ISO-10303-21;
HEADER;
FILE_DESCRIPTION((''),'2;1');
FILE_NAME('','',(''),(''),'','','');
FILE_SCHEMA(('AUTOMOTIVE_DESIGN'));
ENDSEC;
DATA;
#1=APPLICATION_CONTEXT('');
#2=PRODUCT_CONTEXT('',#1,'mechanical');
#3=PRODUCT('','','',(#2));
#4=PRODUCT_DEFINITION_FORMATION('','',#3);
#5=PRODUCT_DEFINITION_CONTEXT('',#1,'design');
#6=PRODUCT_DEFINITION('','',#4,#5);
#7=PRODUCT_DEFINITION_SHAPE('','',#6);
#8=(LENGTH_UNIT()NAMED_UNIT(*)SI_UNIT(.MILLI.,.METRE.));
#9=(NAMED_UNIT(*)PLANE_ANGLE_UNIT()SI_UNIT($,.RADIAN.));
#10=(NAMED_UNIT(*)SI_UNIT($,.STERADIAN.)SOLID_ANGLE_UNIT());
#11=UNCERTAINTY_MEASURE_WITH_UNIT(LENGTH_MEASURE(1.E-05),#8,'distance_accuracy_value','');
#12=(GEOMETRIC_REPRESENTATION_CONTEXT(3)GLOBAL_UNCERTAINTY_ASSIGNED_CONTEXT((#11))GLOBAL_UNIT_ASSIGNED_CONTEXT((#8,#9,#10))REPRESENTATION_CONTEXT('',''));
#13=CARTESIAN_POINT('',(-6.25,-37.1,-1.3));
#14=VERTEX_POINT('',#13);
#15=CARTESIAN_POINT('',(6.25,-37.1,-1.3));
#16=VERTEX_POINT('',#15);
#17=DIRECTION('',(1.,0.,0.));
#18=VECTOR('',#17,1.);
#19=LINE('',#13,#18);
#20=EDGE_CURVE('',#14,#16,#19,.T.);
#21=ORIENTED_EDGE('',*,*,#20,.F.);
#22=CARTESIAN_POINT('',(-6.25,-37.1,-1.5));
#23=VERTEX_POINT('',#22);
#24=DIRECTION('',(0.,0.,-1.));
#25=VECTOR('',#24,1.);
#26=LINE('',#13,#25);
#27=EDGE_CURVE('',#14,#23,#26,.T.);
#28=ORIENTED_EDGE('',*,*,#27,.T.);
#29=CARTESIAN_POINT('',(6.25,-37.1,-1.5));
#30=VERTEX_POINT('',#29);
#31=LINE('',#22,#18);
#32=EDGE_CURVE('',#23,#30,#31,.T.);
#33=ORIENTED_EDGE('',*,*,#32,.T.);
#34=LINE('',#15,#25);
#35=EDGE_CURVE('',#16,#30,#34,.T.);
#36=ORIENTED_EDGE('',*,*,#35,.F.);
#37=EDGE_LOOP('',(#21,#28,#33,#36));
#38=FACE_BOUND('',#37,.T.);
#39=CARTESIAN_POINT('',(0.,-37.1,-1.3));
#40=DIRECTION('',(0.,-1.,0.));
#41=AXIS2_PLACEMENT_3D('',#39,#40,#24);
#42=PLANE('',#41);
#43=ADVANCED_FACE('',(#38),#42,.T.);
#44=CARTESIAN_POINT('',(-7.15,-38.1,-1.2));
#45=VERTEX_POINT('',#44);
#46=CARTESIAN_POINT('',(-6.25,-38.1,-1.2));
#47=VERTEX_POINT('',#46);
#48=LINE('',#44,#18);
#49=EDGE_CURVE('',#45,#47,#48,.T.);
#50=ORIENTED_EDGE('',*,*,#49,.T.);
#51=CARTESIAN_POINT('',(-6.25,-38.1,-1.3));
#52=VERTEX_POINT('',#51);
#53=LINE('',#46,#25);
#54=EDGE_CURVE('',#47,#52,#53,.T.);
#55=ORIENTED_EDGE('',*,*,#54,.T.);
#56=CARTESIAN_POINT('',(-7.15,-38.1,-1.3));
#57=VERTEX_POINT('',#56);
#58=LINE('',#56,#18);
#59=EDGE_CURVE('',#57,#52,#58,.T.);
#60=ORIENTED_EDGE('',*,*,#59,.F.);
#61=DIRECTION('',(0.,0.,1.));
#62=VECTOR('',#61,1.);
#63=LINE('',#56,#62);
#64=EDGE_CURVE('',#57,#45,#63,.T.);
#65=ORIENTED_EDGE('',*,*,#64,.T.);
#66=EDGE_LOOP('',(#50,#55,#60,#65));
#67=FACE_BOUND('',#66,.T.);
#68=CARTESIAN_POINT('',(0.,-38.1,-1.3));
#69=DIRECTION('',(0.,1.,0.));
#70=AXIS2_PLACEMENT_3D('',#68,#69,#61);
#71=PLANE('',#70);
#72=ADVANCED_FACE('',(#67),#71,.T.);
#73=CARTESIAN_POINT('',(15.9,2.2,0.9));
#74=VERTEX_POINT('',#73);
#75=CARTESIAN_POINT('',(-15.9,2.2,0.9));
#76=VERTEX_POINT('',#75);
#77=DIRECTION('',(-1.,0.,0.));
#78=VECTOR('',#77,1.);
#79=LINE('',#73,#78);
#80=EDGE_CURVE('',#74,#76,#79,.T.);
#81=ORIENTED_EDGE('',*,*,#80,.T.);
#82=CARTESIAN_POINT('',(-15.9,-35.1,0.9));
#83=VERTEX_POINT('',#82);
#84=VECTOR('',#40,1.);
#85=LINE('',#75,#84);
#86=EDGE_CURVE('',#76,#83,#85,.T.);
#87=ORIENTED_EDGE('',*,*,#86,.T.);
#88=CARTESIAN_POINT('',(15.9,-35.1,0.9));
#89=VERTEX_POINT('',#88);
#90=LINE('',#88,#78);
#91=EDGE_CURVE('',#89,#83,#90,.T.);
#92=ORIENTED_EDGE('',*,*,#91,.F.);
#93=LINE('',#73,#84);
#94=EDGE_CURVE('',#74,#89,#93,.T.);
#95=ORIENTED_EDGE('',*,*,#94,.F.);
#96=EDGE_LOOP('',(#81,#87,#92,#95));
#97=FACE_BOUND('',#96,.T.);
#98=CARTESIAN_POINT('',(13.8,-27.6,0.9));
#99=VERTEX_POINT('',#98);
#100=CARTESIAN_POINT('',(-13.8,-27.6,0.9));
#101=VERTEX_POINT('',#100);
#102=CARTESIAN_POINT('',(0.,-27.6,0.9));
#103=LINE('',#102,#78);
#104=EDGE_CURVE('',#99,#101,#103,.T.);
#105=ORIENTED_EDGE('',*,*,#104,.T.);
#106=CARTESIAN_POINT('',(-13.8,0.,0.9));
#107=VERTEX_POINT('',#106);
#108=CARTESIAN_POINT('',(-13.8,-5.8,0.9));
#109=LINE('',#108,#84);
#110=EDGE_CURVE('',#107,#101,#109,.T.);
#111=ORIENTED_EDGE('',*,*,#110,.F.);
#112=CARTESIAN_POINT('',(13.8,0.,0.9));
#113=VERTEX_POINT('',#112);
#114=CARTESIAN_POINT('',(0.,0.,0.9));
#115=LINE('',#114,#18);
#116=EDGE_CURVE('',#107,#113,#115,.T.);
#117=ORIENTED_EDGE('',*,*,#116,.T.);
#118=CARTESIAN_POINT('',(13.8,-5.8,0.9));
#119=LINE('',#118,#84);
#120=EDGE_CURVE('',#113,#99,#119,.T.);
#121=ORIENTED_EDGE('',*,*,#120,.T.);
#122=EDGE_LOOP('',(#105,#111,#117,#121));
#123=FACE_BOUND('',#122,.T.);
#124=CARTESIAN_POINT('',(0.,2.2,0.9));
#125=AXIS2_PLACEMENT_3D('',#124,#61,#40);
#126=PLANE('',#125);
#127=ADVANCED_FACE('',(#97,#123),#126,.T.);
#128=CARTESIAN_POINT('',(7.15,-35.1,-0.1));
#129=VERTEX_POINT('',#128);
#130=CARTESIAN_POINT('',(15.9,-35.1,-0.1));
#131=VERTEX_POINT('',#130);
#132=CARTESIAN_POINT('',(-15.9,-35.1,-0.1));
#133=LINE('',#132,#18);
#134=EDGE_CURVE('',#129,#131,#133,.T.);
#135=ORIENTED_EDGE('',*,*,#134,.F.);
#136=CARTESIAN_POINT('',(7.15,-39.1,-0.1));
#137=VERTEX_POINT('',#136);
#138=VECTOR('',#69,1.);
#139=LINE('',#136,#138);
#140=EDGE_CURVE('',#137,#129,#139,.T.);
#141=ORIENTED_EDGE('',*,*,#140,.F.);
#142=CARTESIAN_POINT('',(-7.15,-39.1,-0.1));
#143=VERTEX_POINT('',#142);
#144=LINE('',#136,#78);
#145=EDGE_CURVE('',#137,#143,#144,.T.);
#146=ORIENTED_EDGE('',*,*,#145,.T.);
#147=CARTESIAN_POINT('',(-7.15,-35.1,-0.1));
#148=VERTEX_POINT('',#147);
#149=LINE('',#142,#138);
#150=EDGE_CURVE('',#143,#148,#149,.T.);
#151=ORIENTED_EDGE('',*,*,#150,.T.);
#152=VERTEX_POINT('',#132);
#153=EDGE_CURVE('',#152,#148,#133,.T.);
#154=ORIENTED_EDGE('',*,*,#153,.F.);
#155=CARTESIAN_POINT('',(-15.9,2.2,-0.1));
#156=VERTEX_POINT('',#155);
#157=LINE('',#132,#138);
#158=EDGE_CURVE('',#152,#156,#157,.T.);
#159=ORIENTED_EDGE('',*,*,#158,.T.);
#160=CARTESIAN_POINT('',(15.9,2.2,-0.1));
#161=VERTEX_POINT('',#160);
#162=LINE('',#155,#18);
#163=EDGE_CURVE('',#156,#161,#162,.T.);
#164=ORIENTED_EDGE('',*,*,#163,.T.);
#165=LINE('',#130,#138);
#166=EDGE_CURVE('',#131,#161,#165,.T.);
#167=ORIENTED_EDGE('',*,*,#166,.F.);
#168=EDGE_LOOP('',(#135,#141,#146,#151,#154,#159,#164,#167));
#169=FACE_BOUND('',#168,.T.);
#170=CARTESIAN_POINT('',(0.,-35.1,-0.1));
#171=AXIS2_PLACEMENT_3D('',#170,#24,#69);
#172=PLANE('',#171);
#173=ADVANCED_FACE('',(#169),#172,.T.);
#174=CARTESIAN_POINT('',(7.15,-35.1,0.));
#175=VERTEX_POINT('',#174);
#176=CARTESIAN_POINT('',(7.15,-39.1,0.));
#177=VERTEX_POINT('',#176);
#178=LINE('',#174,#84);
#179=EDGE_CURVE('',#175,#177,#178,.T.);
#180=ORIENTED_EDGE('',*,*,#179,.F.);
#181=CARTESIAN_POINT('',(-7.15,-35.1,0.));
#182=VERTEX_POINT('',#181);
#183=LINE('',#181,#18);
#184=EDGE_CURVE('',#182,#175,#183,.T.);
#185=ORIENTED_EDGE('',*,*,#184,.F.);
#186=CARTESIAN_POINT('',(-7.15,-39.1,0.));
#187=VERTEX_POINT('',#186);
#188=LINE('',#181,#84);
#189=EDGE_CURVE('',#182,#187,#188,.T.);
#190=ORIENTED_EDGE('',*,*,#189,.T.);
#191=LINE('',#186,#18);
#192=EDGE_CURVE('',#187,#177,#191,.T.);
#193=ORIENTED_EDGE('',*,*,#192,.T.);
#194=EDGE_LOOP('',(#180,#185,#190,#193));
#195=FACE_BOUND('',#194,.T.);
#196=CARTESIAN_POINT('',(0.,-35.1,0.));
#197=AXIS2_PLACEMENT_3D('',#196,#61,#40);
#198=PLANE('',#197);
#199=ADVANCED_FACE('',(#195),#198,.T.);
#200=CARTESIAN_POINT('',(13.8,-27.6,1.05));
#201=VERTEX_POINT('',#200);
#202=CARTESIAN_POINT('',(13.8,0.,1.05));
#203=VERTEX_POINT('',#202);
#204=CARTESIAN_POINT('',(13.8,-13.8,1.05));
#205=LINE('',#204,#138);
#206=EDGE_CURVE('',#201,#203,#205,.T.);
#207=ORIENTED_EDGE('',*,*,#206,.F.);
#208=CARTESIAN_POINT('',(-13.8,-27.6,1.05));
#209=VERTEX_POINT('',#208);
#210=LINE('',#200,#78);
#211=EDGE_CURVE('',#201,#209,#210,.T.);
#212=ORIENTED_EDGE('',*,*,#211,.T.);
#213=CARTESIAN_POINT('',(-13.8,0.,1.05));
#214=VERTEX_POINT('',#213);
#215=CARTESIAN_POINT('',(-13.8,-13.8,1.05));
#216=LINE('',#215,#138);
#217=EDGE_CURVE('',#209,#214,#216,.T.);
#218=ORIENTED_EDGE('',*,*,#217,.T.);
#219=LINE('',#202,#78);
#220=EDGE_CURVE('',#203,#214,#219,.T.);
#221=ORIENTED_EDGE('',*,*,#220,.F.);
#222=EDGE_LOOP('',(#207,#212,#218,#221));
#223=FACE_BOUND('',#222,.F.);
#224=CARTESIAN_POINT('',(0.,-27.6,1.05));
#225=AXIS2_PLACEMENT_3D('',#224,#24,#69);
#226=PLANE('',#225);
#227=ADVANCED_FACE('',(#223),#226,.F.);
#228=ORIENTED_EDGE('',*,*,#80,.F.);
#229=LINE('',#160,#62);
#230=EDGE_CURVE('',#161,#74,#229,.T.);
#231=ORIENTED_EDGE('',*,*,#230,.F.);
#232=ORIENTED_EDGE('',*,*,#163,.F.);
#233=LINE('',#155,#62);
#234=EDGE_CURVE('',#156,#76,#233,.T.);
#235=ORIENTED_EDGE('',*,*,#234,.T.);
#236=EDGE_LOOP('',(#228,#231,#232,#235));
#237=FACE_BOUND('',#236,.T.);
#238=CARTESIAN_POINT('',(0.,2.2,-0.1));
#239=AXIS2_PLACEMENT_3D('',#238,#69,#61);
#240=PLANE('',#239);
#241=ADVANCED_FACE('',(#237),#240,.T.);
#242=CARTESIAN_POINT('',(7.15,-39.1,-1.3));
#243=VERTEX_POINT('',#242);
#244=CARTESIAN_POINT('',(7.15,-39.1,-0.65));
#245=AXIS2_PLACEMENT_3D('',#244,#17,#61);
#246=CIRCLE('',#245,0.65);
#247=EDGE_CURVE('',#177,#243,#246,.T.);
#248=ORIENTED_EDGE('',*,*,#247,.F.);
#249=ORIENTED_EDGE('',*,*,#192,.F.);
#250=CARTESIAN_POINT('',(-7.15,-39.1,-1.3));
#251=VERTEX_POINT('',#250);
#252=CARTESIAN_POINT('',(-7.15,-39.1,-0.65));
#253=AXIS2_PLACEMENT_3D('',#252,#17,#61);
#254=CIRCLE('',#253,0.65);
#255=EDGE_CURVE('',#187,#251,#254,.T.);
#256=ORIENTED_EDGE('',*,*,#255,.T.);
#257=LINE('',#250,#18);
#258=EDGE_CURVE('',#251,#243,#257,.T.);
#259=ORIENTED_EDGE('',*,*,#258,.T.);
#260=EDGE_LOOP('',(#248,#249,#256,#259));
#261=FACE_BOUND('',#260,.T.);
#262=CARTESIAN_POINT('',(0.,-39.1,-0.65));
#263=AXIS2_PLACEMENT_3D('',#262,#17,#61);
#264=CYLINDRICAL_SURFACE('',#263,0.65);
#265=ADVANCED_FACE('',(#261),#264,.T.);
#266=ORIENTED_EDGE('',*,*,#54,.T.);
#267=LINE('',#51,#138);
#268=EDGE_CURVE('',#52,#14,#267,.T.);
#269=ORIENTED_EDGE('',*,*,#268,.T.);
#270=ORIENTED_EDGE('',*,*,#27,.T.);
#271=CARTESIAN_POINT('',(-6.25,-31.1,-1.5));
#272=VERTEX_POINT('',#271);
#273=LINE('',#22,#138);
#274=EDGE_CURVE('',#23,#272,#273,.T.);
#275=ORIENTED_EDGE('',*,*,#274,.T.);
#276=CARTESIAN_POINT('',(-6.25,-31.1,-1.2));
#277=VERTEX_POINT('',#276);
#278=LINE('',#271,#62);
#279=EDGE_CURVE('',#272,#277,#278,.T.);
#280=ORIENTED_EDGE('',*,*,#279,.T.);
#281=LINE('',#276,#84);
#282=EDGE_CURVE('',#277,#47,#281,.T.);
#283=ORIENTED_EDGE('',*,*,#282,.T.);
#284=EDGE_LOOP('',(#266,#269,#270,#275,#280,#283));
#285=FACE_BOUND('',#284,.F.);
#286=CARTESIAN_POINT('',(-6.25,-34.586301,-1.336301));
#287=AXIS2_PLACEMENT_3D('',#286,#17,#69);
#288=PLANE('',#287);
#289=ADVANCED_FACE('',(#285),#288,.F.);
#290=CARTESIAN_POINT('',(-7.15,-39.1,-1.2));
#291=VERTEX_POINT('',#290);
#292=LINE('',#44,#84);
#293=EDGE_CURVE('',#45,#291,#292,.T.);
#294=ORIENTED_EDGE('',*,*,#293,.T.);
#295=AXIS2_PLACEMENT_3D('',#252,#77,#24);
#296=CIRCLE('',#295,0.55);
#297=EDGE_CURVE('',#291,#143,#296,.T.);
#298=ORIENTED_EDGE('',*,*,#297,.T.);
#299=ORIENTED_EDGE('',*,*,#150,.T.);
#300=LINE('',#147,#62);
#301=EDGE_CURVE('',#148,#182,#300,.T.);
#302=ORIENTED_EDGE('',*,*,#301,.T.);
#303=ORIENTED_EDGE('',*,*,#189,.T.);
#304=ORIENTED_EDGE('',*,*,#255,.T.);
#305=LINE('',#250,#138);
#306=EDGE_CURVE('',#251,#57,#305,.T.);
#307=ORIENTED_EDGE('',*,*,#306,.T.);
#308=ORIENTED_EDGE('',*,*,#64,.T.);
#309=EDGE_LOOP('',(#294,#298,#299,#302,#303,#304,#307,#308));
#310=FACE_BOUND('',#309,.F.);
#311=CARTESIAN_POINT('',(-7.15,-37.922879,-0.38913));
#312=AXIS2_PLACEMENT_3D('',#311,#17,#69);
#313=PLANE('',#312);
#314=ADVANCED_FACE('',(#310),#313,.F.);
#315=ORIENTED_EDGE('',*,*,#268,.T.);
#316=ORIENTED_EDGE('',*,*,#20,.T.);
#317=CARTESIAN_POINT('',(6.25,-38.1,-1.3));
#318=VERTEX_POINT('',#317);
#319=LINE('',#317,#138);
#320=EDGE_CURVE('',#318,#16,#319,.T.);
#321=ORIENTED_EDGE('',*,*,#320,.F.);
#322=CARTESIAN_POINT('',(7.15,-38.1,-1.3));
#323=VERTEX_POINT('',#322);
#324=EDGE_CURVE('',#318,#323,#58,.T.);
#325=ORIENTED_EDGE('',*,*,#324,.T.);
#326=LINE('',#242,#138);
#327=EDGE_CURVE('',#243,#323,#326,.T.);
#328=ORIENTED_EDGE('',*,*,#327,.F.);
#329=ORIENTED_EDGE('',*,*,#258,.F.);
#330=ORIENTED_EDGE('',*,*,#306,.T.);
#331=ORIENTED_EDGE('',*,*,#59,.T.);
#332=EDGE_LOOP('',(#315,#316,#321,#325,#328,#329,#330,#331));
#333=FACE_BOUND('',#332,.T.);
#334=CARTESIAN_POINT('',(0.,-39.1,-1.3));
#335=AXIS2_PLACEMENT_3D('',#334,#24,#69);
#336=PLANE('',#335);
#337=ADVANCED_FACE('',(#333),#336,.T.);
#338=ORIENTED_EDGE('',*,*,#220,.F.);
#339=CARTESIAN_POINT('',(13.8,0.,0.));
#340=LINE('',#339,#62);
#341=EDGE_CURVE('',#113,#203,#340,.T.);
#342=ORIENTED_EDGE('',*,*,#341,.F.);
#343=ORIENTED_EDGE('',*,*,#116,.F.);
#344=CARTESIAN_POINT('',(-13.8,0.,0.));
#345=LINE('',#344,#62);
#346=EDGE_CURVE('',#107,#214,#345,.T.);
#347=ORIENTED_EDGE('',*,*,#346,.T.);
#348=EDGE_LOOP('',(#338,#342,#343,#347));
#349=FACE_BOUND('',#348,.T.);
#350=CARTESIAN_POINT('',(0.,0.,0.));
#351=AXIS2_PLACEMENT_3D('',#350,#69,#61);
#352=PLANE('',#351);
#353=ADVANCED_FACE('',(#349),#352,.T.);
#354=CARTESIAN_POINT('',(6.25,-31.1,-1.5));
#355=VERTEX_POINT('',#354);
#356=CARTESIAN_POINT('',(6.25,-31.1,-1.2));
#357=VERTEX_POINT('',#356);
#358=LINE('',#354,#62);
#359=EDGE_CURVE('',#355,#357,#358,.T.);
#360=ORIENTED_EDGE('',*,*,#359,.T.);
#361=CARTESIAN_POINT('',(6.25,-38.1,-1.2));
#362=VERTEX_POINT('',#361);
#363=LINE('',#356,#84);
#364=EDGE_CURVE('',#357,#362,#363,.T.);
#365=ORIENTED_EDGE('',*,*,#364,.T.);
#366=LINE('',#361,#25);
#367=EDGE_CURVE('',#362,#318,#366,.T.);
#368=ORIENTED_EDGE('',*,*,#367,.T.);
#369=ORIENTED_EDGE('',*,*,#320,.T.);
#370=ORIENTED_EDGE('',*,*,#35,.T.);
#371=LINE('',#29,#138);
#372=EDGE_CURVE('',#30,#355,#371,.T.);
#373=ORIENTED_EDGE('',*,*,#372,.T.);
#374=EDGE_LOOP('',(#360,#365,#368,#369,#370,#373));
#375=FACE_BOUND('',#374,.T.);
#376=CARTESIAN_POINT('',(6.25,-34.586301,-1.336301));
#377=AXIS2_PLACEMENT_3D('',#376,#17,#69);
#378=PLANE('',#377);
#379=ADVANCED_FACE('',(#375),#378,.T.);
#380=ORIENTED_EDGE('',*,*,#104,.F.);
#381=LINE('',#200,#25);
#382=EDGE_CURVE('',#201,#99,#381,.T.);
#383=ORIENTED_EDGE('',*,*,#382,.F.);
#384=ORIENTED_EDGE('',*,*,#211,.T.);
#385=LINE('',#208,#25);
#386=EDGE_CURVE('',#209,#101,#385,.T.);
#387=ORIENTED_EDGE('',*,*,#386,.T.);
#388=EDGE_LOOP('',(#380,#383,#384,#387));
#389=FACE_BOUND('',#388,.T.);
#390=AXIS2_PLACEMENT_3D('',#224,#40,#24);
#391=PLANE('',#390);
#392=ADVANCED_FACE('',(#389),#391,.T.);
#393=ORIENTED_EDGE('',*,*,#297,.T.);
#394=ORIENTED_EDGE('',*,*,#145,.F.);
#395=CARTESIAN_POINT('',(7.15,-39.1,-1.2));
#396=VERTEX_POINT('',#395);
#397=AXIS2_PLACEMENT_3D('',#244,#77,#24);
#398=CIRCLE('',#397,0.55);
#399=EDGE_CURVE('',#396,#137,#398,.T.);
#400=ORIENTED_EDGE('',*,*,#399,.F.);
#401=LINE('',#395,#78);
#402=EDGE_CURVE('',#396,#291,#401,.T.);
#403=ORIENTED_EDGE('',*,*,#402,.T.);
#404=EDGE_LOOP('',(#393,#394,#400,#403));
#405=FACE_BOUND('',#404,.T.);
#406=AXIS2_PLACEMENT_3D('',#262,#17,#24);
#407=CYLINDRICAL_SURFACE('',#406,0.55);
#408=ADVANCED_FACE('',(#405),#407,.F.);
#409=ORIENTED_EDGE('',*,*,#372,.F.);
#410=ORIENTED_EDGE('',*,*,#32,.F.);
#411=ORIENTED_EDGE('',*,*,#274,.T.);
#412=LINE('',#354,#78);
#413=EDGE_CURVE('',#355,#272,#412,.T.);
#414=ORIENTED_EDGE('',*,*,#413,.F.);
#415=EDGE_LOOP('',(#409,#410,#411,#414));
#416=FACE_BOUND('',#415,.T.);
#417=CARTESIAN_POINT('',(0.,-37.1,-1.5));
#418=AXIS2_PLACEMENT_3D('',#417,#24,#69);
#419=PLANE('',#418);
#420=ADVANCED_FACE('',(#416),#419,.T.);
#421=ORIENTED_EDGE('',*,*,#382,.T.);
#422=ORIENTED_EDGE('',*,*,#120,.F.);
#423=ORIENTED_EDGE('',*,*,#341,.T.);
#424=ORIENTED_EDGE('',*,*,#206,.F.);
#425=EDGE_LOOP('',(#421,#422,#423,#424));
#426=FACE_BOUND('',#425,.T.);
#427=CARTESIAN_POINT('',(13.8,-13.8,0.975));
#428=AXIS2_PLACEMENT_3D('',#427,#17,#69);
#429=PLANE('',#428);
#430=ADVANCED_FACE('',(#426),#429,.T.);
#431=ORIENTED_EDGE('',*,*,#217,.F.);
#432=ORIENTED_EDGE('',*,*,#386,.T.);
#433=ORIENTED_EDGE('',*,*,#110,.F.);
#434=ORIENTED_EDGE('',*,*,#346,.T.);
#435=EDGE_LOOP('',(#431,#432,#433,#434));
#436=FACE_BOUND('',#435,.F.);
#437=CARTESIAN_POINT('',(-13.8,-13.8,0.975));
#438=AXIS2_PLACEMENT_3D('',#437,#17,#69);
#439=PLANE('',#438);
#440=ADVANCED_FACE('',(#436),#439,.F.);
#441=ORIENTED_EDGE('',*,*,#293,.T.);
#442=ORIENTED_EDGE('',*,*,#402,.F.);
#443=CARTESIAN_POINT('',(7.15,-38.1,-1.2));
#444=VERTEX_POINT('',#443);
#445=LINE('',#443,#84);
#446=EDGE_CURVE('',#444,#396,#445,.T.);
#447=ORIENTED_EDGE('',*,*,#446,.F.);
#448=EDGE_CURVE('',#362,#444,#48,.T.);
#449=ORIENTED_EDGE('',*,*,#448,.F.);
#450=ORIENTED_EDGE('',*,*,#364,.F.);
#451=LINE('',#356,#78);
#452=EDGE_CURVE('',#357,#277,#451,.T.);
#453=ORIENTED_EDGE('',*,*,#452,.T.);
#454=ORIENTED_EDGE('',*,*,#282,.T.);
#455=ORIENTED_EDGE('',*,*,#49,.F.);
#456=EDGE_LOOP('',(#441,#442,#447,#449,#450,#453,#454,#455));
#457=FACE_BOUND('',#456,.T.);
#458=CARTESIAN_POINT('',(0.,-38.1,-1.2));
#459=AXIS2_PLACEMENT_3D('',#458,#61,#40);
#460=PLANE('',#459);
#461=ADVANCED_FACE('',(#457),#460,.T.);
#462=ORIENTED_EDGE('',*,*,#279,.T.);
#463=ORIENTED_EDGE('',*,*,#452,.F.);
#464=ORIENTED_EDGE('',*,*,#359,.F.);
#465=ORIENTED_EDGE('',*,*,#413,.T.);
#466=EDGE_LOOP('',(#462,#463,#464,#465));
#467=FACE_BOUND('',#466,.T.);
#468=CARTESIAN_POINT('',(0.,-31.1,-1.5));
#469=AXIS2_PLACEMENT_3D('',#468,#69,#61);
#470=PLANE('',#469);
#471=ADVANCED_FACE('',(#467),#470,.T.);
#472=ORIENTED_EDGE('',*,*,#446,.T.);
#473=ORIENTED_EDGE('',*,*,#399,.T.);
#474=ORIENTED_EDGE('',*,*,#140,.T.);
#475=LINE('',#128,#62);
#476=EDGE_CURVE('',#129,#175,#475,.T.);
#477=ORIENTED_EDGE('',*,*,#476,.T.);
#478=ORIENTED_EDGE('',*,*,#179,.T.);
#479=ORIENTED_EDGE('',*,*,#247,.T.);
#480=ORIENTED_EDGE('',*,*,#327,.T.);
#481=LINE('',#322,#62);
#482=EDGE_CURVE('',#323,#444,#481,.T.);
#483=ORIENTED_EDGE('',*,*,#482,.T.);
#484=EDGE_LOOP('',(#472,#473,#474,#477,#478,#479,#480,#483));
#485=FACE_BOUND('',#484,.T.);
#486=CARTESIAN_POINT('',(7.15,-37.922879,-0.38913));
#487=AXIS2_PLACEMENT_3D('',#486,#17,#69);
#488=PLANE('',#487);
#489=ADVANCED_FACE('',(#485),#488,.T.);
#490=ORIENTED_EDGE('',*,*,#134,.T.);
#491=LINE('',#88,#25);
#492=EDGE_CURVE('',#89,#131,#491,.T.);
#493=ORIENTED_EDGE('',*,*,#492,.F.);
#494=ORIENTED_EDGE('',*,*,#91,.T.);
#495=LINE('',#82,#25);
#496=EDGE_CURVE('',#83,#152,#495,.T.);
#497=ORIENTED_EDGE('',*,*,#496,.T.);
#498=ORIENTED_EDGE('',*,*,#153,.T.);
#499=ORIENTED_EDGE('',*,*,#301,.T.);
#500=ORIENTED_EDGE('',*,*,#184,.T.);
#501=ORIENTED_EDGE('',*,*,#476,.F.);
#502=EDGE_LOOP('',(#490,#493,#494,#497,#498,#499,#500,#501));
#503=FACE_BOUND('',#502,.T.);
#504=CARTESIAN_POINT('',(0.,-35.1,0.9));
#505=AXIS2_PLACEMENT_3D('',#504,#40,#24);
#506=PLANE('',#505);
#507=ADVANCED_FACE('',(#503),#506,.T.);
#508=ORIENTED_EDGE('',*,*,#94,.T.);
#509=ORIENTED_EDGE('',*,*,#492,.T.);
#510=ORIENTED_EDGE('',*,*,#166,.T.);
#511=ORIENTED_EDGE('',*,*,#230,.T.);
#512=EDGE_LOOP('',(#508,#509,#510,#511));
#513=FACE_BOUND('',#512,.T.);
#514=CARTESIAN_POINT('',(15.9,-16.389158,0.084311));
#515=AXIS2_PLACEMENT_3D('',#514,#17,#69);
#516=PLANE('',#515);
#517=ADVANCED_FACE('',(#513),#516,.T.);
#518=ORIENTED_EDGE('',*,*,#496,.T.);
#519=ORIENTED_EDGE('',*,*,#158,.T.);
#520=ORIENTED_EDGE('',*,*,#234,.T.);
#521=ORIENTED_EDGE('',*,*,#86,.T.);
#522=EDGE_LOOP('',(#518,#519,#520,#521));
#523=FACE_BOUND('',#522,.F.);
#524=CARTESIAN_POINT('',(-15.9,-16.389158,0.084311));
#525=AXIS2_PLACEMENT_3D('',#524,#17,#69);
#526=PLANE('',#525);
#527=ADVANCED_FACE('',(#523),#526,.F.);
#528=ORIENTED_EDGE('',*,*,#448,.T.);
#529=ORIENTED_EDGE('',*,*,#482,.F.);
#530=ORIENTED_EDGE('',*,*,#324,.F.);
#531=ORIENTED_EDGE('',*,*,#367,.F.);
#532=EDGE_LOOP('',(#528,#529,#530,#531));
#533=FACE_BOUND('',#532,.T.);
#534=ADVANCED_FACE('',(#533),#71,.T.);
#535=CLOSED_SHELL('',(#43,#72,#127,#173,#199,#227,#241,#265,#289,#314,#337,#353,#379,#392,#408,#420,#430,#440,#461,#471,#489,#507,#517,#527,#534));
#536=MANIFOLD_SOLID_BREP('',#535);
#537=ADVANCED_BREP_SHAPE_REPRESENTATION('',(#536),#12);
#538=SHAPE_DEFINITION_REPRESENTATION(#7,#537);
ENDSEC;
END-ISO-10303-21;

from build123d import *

# Parameters (mm, degrees)
F0_W     = 27.6
F0_H     = 0.15
F0_H_2   = 0.9
F1_DEPTH = 13.8
F2_DEPTH = 15.9
F3_DEPTH = 7.15
F4_DEPTH = 6.25


with BuildPart() as f1:
    # F0 (on Right) → F1 (new body, symmetric)
    with BuildSketch(Plane.YZ):
        with Locations((-13.8, 0.975)):
            Rectangle(F0_W, F0_H)
        with Locations((-13.8, 0.45)):
            Rectangle(F0_W, F0_H_2)
    extrude(amount=F1_DEPTH, both=True)

    # F0 (on Right) → F2 (join, symmetric)
    with BuildSketch(Plane.YZ):
        Polygon((-35.1, 0.9), (-35.1, 0), (-35.1, -0.1), (2.2, -0.1), (2.2, 0.9), (0, 0.9), (0, 0), (-27.6, 0), (-27.6, 0.9), align=None)
        with Locations((-13.8, 0.45)):
            Rectangle(F0_W, F0_H_2)
    extrude(amount=F2_DEPTH, both=True)

    # F0 (on Right) → F3 (join, symmetric)
    with BuildSketch(Plane.YZ):
        with BuildLine():
            Line((-35.1, -0.1), (-35.1, 0))
            Line((-35.1, 0), (-39.1, 0))
            ThreePointArc((-39.1, 0), (-39.75, -0.65), (-39.1, -1.3))
            Line((-39.1, -1.3), (-38.1, -1.3))
            Line((-38.1, -1.3), (-38.1, -1.2))
            Line((-38.1, -1.2), (-39.1, -1.2))
            ThreePointArc((-39.1, -1.2), (-39.65, -0.65), (-39.1, -0.1))
            Line((-39.1, -0.1), (-35.1, -0.1))
        make_face()
    extrude(amount=F3_DEPTH, both=True)

    # F0 (on Right) → F4 (join, symmetric)
    with BuildSketch(Plane.YZ):
        Polygon((-38.1, -1.2), (-38.1, -1.3), (-37.1, -1.3), (-37.1, -1.5), (-31.1, -1.5), (-31.1, -1.3), (-31.1, -1.2), align=None)
    extrude(amount=F4_DEPTH, both=True)


solid = f1.part
